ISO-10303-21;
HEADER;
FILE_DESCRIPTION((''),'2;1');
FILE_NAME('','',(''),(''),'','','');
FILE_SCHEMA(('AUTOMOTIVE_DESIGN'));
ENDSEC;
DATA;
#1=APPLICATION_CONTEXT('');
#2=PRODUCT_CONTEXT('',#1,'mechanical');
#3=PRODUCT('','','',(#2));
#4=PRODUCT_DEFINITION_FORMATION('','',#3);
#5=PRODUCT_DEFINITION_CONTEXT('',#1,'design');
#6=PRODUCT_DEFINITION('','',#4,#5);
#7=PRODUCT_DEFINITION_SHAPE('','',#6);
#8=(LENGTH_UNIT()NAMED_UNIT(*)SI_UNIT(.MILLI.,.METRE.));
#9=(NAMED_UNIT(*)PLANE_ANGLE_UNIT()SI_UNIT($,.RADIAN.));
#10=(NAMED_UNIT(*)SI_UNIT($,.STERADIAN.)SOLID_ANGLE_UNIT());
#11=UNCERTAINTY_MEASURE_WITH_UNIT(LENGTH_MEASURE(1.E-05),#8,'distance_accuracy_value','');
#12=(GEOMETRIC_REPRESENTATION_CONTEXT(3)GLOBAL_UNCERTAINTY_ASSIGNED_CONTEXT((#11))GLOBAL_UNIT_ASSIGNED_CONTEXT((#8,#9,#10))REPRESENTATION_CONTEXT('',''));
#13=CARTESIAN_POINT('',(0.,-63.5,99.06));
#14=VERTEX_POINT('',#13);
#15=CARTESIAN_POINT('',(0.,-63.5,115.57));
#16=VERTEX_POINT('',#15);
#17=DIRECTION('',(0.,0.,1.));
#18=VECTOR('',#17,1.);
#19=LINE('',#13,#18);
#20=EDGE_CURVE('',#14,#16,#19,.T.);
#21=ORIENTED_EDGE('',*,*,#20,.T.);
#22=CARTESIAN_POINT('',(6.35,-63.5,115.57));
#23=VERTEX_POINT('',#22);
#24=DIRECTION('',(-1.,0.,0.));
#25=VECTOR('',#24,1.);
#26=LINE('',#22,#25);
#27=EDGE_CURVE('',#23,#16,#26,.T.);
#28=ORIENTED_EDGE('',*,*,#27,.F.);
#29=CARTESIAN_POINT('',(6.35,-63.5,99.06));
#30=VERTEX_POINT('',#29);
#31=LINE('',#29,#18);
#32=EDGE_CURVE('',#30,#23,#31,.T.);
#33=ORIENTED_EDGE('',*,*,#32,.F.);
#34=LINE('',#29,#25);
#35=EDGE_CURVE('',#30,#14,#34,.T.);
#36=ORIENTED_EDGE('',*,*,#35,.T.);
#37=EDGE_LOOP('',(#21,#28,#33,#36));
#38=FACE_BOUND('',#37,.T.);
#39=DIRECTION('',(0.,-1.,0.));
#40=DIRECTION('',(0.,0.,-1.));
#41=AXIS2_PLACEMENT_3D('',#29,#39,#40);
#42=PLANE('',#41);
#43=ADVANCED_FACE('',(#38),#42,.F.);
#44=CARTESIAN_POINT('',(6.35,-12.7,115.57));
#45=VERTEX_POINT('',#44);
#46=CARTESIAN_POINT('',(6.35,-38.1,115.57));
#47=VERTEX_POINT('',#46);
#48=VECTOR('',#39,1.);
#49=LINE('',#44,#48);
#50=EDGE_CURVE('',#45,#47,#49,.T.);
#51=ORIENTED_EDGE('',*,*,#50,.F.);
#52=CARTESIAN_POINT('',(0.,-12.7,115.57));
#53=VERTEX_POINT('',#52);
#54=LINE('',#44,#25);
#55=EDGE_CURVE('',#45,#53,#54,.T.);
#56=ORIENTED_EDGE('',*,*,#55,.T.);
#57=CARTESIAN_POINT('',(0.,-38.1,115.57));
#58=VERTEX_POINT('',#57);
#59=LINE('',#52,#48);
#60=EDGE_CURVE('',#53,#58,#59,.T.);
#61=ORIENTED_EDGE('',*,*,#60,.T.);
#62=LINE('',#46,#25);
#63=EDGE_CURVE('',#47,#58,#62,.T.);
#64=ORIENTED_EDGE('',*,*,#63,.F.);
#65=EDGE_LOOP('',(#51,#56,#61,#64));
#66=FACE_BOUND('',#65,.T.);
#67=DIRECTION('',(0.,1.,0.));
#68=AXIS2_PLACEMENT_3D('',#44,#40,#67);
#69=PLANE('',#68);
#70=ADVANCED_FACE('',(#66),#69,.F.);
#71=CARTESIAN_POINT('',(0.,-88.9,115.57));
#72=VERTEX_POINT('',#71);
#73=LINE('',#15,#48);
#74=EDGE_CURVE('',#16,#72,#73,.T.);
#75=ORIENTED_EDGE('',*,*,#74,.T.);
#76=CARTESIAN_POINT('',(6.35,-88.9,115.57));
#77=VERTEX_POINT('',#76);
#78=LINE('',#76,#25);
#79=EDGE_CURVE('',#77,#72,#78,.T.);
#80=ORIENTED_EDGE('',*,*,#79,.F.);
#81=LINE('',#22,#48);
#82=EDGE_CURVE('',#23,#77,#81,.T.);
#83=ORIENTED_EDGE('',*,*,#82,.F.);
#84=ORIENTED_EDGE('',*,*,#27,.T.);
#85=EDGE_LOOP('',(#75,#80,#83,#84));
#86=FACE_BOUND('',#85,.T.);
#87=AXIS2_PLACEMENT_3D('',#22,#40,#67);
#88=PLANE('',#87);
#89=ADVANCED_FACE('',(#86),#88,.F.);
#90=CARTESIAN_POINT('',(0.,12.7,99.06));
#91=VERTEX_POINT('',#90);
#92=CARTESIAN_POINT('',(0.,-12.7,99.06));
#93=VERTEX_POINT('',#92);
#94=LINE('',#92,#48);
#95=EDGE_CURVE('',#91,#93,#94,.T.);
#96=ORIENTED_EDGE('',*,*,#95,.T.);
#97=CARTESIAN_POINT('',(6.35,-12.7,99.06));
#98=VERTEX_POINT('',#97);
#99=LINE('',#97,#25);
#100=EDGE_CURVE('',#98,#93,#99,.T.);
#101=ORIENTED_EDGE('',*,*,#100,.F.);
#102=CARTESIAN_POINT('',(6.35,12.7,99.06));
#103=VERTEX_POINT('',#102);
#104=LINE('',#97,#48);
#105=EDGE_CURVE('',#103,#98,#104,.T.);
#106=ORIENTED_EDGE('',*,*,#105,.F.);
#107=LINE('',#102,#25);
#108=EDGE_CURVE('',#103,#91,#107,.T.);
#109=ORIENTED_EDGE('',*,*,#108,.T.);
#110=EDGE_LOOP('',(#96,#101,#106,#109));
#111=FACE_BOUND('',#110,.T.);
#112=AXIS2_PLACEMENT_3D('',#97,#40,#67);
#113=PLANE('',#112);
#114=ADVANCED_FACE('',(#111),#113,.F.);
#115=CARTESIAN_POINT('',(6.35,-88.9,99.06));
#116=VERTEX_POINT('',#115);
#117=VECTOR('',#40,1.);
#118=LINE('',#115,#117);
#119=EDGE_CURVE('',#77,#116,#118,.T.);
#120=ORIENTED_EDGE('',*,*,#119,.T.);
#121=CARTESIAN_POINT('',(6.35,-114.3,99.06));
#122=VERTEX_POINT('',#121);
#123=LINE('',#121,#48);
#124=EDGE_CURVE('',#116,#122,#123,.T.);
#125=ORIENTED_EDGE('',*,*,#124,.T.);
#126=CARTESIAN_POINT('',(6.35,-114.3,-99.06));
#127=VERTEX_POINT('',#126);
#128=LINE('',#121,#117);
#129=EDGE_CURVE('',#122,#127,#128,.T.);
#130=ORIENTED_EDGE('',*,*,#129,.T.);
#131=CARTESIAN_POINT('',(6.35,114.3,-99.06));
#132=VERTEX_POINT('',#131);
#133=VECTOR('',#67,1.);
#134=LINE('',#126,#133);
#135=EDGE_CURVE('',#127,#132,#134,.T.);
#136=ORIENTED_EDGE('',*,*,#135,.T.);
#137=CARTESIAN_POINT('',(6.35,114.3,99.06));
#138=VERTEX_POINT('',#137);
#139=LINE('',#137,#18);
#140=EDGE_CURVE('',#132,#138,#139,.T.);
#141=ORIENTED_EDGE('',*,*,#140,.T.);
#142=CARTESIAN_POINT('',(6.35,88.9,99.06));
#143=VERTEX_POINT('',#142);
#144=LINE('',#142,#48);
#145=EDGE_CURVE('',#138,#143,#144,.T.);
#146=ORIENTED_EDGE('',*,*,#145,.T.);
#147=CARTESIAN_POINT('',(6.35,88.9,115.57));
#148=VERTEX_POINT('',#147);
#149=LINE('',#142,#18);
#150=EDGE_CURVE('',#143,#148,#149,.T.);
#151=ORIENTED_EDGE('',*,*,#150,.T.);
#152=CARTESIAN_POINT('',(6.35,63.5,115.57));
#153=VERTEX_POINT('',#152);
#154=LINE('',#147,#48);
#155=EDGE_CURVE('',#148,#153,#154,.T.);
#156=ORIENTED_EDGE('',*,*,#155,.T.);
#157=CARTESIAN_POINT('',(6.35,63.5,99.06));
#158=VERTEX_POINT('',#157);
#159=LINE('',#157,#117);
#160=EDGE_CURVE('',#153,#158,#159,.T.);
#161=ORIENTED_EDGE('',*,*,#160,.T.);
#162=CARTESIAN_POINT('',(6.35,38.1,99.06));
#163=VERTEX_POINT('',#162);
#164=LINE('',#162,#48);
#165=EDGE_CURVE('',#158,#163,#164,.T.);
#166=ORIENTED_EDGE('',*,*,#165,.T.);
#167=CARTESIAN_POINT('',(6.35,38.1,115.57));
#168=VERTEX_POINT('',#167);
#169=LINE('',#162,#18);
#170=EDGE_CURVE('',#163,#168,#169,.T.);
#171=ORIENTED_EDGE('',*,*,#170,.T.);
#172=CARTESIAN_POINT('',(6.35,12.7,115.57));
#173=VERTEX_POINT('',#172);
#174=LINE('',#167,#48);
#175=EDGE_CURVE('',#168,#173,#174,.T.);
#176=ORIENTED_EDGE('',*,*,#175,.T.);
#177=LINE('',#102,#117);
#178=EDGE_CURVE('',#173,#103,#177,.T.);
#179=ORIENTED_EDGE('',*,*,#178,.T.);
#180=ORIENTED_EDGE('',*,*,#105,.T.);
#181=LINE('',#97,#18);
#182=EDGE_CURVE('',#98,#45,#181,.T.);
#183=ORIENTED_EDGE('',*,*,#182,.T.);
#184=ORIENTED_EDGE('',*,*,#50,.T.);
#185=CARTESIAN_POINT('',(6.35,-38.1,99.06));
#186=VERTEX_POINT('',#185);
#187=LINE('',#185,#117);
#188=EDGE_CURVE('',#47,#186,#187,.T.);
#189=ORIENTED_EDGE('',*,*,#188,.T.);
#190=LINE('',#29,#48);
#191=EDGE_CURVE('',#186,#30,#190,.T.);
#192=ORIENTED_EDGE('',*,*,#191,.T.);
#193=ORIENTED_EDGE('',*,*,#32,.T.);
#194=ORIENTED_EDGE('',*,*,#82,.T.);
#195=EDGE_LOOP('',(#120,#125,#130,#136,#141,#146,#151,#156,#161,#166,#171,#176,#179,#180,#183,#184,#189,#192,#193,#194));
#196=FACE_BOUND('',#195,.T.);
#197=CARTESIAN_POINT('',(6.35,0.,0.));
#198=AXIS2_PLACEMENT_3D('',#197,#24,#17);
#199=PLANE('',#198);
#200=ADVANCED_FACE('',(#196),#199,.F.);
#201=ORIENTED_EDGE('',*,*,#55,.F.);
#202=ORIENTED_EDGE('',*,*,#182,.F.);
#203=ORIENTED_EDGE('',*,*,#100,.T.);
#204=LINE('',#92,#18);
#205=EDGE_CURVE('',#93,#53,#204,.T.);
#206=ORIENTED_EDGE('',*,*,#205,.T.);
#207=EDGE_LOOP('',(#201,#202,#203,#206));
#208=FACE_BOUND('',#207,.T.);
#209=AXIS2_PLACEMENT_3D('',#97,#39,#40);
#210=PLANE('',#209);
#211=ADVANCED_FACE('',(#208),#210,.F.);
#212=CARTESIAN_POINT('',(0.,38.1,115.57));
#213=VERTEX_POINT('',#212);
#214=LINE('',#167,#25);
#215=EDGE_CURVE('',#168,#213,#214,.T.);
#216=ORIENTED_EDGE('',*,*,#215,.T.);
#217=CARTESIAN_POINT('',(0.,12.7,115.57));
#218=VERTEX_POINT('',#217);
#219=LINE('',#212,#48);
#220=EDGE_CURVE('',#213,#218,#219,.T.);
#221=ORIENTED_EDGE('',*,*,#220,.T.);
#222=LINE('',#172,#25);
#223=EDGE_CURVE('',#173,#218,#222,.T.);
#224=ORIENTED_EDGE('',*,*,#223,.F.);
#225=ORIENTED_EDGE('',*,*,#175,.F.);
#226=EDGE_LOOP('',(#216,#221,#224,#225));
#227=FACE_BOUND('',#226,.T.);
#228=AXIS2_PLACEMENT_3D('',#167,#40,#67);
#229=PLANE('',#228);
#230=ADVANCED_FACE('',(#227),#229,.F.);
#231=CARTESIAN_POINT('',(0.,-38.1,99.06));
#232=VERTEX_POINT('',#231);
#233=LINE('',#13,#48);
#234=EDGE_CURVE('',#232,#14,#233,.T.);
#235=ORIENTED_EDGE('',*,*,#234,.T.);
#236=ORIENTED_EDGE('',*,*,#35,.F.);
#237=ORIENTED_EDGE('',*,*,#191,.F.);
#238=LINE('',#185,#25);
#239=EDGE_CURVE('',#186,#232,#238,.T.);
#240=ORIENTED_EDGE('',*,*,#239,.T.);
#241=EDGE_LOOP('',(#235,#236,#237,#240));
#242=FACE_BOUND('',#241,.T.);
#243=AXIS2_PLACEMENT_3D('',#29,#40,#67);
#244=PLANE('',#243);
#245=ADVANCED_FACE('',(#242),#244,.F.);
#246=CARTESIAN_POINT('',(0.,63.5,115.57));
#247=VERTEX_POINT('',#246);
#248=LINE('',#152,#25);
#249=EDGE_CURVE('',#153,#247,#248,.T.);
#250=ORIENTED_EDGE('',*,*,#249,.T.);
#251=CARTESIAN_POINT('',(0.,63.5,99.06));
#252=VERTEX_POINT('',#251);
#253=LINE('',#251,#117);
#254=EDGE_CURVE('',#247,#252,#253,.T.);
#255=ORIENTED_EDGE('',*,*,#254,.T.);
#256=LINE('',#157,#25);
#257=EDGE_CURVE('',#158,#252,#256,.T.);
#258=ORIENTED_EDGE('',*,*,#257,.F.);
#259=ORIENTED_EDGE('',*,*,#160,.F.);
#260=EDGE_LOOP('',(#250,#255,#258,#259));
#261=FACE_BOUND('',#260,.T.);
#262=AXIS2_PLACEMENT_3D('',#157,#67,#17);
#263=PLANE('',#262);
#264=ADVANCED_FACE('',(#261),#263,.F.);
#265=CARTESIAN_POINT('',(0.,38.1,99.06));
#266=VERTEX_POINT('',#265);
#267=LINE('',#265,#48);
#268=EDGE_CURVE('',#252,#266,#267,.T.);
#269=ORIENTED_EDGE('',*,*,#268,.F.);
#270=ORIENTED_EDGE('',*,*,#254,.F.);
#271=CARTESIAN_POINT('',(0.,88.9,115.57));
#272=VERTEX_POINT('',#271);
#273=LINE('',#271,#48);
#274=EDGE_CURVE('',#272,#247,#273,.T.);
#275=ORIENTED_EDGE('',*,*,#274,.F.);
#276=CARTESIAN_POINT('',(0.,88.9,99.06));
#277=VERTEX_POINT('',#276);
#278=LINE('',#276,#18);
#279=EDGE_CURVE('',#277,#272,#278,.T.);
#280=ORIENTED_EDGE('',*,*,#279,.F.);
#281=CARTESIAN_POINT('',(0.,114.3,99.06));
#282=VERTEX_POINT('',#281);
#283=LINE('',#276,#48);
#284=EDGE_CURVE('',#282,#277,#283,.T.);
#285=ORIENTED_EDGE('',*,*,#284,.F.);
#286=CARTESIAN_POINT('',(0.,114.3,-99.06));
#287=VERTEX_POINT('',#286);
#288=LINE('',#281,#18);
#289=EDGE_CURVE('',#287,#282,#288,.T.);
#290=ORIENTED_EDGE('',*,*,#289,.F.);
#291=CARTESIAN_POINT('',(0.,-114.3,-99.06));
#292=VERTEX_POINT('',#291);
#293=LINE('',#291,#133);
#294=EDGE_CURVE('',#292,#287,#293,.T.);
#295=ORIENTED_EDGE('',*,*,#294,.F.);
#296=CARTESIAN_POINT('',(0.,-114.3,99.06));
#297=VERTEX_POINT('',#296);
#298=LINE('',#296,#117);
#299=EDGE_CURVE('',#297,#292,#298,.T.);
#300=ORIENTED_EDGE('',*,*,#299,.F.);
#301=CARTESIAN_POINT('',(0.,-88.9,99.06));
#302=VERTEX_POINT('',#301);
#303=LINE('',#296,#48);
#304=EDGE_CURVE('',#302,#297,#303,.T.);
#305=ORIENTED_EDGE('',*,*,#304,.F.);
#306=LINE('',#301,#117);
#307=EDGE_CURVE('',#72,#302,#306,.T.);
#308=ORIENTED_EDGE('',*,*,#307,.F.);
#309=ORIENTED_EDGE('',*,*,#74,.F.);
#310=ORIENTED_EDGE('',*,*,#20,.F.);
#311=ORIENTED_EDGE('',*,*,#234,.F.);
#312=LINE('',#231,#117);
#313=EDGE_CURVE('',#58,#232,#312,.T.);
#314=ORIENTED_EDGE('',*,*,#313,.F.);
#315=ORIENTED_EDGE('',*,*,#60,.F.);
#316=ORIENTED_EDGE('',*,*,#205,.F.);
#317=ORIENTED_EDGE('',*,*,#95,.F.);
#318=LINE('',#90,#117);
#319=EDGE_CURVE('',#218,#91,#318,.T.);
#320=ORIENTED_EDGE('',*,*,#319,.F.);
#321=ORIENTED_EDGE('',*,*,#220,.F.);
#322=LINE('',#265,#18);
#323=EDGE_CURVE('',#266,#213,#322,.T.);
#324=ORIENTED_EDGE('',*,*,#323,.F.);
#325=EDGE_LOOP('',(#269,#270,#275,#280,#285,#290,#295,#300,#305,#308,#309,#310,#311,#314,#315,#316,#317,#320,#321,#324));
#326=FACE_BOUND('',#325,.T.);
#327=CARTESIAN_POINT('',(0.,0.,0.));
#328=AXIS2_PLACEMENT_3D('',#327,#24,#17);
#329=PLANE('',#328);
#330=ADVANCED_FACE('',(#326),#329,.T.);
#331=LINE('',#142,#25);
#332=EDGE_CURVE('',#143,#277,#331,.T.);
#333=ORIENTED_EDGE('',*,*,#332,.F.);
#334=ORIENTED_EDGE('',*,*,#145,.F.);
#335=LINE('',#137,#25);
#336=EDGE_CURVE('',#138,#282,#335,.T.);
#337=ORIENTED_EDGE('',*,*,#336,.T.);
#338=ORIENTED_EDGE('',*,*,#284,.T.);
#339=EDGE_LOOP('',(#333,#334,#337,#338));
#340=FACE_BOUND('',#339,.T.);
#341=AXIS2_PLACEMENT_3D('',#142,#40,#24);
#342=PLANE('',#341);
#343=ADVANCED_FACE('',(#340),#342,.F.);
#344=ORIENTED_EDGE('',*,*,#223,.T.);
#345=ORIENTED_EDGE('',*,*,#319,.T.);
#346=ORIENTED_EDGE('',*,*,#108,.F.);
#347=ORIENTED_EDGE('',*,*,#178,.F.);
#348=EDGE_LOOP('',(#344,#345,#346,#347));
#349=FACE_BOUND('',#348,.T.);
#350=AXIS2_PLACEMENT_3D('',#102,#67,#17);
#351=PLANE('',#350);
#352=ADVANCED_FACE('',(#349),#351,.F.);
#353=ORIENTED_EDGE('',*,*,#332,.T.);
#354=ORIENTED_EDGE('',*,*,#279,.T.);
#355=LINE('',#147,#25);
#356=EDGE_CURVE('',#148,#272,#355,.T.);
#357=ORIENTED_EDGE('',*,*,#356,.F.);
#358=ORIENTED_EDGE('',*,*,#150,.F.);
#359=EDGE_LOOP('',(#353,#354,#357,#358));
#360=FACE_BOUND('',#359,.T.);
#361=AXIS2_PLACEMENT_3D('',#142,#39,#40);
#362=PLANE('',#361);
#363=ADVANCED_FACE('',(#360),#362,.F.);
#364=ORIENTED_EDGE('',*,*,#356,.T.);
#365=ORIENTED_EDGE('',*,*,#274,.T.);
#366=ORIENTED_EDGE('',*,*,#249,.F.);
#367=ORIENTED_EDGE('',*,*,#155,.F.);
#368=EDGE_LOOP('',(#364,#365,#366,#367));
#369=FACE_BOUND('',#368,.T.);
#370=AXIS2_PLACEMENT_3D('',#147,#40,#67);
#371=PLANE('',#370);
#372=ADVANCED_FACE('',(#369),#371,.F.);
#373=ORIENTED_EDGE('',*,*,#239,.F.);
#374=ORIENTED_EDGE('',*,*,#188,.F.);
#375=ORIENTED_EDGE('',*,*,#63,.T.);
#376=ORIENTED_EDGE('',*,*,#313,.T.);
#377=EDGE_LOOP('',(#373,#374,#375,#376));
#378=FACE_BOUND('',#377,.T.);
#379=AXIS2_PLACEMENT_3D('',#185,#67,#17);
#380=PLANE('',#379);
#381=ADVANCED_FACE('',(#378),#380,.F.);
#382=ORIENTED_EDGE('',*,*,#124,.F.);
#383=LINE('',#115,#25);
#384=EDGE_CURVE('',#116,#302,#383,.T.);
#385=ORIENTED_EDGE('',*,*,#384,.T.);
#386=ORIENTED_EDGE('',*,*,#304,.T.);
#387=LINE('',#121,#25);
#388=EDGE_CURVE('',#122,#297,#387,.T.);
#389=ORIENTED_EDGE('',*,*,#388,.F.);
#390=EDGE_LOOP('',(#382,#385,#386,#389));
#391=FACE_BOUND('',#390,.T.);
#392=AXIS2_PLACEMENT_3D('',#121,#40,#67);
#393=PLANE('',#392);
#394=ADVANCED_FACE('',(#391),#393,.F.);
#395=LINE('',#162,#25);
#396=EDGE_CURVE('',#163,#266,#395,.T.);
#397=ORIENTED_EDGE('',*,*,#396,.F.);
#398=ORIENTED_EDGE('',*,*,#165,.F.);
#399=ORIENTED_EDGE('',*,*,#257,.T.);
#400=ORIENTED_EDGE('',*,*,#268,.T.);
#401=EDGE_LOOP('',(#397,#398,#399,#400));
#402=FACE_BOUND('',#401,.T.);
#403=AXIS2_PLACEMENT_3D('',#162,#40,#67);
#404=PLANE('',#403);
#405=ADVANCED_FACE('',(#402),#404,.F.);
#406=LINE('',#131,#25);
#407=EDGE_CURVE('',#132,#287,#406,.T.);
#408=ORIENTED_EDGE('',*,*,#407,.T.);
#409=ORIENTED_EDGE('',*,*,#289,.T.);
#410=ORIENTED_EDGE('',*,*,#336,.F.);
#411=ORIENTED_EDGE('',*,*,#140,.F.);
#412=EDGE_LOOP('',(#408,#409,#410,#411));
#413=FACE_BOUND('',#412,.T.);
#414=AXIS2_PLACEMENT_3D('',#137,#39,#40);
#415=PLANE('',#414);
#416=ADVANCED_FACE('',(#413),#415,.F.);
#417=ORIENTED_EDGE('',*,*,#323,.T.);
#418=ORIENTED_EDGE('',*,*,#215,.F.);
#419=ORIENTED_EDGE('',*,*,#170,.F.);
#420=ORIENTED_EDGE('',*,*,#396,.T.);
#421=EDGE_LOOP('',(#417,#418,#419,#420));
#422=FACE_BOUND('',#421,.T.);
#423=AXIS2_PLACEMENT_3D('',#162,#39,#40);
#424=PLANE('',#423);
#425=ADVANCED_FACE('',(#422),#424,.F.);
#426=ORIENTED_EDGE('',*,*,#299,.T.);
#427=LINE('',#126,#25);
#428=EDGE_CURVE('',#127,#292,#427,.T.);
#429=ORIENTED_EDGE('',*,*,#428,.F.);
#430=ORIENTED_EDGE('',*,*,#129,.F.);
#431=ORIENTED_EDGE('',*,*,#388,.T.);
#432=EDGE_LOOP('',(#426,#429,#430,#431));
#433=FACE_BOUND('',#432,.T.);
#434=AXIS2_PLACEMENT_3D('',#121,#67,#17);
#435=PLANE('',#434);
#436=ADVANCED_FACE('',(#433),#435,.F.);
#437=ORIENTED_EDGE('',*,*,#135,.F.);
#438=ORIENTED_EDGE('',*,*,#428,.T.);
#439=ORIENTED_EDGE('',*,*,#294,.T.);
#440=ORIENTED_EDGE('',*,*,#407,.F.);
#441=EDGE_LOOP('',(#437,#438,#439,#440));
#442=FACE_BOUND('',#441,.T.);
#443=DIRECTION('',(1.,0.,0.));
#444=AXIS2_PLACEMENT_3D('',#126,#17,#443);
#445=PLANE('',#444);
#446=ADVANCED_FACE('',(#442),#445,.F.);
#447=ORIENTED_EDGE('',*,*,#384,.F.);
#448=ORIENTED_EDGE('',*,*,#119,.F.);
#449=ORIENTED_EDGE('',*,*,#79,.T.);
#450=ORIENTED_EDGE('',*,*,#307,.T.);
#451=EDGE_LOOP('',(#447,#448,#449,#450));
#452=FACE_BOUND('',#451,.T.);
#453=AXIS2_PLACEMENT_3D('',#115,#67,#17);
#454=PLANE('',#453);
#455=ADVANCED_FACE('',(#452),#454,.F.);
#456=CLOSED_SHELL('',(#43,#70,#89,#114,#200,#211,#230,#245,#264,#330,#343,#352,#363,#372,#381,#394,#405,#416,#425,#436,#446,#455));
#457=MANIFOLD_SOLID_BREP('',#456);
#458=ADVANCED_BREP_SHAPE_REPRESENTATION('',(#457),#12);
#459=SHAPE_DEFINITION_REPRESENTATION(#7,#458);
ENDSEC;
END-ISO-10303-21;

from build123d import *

# Parameters (mm, degrees)
BOSS_EXTRUDE1_DEPTH = 6.35


with BuildPart() as part:
    # Sketch2 → Boss-Extrude1 (new body)
    with BuildSketch(Plane(origin=(0, 0, 0), x_dir=(0, 0, -1), z_dir=(1, 0, 0))):
        Polygon((-115.57, 38.1), (-115.57, 12.7), (-99.06, 12.7), (-99.06, -12.7), (-115.57, -12.7), (-115.57, -38.1), (-99.06, -38.1), (-99.06, -63.5), (-115.57, -63.5), (-115.57, -88.9), (-99.06, -88.9), (-99.06, -114.3), (99.06, -114.3), (99.06, 114.3), (-99.06, 114.3), (-99.06, 88.9), (-115.57, 88.9), (-115.57, 63.5), (-99.06, 63.5), (-99.06, 38.1), align=None)
    extrude(amount=BOSS_EXTRUDE1_DEPTH)


solid = part.part
